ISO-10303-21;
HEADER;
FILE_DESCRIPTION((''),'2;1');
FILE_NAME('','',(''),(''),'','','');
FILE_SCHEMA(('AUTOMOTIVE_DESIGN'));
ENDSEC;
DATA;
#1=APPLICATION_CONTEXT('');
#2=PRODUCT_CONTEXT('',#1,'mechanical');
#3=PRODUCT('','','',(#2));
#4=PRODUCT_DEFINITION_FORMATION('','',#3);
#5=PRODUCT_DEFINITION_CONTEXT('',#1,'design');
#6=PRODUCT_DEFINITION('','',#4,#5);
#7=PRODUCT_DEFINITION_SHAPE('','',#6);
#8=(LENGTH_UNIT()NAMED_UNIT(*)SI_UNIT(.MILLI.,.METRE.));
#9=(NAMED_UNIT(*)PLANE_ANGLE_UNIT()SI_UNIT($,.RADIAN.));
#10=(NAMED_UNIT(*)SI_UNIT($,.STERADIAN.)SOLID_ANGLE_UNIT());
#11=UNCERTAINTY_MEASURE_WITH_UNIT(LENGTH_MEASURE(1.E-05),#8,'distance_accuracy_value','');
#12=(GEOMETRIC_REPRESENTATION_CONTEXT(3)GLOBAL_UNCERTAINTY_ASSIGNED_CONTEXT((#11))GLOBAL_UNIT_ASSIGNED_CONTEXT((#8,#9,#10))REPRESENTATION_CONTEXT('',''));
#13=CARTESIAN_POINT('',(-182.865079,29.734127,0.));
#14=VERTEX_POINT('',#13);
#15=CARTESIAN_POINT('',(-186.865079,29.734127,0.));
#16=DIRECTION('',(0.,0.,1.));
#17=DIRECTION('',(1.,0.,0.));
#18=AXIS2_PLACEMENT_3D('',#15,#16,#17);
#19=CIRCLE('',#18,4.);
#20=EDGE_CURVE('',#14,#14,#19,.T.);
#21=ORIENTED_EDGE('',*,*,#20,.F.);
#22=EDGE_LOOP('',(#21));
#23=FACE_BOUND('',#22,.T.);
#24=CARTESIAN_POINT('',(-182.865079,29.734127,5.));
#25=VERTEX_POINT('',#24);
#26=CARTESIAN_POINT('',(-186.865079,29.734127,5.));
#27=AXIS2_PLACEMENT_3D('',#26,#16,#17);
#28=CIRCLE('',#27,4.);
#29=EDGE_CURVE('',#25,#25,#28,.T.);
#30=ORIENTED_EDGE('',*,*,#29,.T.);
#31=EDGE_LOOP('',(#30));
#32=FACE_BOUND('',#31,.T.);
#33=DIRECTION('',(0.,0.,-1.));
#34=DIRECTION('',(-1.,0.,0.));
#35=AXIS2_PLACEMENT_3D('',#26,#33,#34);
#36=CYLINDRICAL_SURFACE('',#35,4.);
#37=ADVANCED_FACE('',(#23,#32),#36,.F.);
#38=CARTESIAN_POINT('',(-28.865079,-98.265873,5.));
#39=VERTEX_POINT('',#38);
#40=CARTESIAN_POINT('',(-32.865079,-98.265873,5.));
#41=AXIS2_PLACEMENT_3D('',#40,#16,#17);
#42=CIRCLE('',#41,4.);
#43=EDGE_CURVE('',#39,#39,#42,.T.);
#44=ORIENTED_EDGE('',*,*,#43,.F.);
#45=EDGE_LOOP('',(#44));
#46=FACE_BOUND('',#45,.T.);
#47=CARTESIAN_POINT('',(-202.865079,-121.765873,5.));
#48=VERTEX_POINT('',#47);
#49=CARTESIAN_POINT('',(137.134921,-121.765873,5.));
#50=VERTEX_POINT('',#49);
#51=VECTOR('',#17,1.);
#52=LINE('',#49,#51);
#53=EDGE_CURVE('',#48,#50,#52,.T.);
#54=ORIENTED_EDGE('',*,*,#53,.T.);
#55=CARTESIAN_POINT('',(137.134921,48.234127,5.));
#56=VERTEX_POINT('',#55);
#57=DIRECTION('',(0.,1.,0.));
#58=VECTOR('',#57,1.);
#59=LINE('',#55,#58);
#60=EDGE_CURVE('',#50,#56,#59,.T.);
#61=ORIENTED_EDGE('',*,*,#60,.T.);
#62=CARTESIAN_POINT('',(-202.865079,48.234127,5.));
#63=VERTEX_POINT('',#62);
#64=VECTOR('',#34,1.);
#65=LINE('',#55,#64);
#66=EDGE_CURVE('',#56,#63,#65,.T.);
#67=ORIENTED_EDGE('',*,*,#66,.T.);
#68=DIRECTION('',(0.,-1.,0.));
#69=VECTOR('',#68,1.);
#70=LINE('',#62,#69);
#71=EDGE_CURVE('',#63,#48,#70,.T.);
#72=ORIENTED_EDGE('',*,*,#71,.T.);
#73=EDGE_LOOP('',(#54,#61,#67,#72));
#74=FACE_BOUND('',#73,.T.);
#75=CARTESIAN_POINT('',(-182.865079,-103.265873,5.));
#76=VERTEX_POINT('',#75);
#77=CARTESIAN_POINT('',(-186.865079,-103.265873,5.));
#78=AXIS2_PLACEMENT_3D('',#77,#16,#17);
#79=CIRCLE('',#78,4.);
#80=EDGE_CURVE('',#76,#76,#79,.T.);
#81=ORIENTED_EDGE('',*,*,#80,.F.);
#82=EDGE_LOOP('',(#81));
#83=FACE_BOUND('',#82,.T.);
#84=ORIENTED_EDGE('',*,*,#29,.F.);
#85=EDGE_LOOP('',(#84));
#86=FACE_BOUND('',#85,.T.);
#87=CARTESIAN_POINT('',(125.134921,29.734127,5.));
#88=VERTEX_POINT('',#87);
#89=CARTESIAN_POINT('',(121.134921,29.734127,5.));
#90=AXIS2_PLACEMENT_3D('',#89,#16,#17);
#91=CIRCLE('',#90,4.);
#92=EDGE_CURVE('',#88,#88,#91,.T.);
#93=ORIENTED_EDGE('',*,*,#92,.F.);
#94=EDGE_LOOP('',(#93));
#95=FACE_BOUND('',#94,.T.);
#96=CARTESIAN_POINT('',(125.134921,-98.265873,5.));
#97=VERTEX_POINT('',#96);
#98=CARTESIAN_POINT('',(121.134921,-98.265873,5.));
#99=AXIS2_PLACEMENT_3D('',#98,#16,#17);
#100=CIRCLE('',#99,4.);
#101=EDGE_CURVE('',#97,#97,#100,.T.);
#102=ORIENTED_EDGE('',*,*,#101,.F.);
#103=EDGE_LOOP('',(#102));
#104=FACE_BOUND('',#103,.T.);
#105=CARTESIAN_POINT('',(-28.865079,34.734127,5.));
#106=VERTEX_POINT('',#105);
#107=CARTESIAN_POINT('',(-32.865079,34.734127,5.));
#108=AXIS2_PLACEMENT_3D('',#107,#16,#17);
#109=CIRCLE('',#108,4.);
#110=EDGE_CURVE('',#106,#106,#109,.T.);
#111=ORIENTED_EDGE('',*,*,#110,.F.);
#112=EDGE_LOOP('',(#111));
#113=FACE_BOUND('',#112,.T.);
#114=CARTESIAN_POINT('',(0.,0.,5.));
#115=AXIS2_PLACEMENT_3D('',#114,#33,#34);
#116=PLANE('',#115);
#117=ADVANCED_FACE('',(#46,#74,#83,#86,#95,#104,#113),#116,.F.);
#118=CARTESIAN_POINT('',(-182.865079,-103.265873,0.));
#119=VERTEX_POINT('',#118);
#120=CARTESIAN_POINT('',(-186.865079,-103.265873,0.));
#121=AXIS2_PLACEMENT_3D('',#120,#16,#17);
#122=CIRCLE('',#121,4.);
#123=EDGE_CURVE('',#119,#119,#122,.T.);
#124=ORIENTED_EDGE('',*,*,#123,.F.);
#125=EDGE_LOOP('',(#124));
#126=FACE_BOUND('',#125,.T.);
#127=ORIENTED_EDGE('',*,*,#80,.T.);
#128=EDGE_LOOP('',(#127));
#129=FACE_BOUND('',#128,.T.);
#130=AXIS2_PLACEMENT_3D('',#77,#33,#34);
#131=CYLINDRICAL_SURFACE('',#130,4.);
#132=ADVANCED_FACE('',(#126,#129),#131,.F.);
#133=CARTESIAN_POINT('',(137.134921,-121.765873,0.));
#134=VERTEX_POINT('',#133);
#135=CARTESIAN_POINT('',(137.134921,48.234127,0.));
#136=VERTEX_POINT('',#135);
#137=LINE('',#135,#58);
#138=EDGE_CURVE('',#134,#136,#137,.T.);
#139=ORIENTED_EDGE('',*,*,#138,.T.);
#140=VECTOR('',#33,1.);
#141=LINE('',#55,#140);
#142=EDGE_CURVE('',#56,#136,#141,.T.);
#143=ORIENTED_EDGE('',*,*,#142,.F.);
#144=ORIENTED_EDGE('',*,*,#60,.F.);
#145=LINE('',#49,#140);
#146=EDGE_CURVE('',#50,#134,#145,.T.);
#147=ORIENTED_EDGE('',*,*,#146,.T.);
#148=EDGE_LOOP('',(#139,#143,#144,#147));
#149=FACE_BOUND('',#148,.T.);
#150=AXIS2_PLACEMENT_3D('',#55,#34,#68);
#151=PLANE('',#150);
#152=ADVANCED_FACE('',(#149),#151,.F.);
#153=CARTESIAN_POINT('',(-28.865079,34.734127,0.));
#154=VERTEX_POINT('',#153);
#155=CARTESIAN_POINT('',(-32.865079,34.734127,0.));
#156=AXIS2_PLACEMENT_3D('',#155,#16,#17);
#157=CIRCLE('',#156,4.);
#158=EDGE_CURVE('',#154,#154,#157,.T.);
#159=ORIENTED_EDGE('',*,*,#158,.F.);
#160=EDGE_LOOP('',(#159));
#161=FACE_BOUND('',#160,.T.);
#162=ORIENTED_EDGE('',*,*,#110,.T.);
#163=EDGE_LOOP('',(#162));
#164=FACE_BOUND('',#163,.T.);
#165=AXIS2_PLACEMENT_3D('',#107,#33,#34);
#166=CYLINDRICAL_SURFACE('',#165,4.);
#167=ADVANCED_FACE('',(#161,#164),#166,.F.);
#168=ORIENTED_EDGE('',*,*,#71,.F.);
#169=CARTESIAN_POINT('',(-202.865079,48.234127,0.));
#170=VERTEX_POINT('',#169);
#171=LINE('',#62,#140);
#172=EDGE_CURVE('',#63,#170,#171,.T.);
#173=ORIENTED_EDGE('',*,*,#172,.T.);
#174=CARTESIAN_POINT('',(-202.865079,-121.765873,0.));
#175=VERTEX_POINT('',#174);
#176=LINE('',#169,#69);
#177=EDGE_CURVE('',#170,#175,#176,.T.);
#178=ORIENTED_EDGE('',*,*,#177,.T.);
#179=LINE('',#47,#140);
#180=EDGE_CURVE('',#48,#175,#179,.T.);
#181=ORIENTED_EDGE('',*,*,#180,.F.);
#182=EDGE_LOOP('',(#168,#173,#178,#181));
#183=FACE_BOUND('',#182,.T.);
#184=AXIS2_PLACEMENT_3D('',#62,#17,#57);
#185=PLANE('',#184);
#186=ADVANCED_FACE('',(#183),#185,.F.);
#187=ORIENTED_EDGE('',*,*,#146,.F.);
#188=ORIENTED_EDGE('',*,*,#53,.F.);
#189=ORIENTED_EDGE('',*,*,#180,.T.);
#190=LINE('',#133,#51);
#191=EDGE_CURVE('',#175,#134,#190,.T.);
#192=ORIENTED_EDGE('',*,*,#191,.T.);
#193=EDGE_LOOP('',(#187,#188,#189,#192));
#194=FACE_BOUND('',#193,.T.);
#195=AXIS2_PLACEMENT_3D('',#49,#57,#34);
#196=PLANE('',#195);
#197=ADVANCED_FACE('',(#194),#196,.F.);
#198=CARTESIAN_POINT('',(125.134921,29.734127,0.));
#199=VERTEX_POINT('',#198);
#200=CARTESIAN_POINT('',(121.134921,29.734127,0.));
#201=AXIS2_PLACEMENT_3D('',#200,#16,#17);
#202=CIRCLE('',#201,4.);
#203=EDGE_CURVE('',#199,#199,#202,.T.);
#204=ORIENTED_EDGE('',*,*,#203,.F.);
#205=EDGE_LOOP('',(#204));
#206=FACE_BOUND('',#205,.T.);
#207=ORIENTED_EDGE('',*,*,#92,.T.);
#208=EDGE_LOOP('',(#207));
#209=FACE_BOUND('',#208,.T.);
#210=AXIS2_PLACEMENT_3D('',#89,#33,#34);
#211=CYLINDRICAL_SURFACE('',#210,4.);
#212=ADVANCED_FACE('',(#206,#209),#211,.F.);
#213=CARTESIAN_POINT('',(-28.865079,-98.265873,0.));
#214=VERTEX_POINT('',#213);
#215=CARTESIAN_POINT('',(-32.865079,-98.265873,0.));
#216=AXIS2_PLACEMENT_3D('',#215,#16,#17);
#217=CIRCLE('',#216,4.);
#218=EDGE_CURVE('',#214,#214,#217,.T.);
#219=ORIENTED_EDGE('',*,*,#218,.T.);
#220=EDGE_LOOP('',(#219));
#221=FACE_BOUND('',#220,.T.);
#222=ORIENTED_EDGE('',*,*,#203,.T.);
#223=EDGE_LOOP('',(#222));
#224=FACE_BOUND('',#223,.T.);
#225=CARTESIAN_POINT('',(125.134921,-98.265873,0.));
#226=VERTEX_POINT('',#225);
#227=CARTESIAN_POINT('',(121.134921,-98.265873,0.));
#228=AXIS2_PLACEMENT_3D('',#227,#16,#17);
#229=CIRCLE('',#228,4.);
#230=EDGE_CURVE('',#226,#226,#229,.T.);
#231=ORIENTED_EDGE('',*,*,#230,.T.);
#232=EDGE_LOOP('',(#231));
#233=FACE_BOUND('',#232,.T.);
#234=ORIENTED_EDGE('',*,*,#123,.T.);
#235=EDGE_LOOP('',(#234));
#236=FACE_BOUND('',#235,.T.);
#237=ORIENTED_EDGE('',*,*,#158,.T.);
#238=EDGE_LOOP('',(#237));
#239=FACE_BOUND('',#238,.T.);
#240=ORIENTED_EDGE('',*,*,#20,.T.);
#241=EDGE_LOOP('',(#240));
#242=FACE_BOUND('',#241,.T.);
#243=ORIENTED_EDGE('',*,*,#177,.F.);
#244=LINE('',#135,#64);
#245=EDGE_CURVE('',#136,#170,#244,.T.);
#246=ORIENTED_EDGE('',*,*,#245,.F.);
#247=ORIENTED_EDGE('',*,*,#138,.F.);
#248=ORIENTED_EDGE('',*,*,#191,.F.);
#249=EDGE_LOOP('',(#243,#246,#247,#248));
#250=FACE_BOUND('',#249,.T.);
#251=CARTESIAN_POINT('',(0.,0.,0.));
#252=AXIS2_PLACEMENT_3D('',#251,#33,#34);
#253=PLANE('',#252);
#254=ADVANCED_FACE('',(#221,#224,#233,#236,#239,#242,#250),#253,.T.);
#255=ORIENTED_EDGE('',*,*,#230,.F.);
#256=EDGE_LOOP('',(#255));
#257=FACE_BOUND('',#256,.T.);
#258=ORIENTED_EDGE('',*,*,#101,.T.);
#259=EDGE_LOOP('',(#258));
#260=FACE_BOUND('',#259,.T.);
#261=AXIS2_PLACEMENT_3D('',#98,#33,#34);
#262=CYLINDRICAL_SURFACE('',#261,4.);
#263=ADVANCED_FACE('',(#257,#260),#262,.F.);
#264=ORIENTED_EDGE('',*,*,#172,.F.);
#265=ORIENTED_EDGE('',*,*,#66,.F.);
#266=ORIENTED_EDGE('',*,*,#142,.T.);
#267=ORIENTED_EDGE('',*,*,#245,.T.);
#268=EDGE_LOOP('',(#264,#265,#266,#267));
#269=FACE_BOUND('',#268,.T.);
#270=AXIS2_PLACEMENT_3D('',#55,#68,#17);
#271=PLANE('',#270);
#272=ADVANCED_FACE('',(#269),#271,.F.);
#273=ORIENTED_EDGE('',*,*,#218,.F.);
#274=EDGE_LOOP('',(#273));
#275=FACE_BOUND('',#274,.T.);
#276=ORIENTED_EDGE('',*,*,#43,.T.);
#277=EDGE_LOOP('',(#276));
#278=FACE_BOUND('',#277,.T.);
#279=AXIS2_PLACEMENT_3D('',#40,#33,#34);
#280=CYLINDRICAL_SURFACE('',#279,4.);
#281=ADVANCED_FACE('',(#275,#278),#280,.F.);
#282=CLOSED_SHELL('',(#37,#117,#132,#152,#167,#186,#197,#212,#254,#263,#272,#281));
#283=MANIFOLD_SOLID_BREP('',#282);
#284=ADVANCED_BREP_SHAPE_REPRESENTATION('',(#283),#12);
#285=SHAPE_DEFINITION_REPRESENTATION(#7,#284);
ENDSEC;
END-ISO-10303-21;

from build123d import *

# Parameters (mm, degrees)
SKETCH1_W           = 340
SKETCH1_H           = 170
SKETCH1_R           = 4
BOSS_EXTRUDE1_DEPTH = 5


with BuildPart() as part:
    # Sketch1 → Boss-Extrude1 (new body)
    with BuildSketch(Plane.XY):
        with Locations((-32.865079365, -36.765873016)):
            Rectangle(SKETCH1_W, SKETCH1_H)
        with Locations((121.134920635, 29.734126984)):
            Circle(SKETCH1_R, mode=Mode.SUBTRACT)
        with Locations((-32.865079365, 34.734126984)):
            Circle(SKETCH1_R, mode=Mode.SUBTRACT)
        with Locations((-186.865079365, 29.734126984)):
            Circle(SKETCH1_R, mode=Mode.SUBTRACT)
        with Locations((-186.865079365, -103.265873016)):
            Circle(SKETCH1_R, mode=Mode.SUBTRACT)
        with Locations((-32.865079365, -98.265873016)):
            Circle(SKETCH1_R, mode=Mode.SUBTRACT)
        with Locations((121.134920635, -98.265873016)):
            Circle(SKETCH1_R, mode=Mode.SUBTRACT)
    extrude(amount=BOSS_EXTRUDE1_DEPTH)


solid = part.part
